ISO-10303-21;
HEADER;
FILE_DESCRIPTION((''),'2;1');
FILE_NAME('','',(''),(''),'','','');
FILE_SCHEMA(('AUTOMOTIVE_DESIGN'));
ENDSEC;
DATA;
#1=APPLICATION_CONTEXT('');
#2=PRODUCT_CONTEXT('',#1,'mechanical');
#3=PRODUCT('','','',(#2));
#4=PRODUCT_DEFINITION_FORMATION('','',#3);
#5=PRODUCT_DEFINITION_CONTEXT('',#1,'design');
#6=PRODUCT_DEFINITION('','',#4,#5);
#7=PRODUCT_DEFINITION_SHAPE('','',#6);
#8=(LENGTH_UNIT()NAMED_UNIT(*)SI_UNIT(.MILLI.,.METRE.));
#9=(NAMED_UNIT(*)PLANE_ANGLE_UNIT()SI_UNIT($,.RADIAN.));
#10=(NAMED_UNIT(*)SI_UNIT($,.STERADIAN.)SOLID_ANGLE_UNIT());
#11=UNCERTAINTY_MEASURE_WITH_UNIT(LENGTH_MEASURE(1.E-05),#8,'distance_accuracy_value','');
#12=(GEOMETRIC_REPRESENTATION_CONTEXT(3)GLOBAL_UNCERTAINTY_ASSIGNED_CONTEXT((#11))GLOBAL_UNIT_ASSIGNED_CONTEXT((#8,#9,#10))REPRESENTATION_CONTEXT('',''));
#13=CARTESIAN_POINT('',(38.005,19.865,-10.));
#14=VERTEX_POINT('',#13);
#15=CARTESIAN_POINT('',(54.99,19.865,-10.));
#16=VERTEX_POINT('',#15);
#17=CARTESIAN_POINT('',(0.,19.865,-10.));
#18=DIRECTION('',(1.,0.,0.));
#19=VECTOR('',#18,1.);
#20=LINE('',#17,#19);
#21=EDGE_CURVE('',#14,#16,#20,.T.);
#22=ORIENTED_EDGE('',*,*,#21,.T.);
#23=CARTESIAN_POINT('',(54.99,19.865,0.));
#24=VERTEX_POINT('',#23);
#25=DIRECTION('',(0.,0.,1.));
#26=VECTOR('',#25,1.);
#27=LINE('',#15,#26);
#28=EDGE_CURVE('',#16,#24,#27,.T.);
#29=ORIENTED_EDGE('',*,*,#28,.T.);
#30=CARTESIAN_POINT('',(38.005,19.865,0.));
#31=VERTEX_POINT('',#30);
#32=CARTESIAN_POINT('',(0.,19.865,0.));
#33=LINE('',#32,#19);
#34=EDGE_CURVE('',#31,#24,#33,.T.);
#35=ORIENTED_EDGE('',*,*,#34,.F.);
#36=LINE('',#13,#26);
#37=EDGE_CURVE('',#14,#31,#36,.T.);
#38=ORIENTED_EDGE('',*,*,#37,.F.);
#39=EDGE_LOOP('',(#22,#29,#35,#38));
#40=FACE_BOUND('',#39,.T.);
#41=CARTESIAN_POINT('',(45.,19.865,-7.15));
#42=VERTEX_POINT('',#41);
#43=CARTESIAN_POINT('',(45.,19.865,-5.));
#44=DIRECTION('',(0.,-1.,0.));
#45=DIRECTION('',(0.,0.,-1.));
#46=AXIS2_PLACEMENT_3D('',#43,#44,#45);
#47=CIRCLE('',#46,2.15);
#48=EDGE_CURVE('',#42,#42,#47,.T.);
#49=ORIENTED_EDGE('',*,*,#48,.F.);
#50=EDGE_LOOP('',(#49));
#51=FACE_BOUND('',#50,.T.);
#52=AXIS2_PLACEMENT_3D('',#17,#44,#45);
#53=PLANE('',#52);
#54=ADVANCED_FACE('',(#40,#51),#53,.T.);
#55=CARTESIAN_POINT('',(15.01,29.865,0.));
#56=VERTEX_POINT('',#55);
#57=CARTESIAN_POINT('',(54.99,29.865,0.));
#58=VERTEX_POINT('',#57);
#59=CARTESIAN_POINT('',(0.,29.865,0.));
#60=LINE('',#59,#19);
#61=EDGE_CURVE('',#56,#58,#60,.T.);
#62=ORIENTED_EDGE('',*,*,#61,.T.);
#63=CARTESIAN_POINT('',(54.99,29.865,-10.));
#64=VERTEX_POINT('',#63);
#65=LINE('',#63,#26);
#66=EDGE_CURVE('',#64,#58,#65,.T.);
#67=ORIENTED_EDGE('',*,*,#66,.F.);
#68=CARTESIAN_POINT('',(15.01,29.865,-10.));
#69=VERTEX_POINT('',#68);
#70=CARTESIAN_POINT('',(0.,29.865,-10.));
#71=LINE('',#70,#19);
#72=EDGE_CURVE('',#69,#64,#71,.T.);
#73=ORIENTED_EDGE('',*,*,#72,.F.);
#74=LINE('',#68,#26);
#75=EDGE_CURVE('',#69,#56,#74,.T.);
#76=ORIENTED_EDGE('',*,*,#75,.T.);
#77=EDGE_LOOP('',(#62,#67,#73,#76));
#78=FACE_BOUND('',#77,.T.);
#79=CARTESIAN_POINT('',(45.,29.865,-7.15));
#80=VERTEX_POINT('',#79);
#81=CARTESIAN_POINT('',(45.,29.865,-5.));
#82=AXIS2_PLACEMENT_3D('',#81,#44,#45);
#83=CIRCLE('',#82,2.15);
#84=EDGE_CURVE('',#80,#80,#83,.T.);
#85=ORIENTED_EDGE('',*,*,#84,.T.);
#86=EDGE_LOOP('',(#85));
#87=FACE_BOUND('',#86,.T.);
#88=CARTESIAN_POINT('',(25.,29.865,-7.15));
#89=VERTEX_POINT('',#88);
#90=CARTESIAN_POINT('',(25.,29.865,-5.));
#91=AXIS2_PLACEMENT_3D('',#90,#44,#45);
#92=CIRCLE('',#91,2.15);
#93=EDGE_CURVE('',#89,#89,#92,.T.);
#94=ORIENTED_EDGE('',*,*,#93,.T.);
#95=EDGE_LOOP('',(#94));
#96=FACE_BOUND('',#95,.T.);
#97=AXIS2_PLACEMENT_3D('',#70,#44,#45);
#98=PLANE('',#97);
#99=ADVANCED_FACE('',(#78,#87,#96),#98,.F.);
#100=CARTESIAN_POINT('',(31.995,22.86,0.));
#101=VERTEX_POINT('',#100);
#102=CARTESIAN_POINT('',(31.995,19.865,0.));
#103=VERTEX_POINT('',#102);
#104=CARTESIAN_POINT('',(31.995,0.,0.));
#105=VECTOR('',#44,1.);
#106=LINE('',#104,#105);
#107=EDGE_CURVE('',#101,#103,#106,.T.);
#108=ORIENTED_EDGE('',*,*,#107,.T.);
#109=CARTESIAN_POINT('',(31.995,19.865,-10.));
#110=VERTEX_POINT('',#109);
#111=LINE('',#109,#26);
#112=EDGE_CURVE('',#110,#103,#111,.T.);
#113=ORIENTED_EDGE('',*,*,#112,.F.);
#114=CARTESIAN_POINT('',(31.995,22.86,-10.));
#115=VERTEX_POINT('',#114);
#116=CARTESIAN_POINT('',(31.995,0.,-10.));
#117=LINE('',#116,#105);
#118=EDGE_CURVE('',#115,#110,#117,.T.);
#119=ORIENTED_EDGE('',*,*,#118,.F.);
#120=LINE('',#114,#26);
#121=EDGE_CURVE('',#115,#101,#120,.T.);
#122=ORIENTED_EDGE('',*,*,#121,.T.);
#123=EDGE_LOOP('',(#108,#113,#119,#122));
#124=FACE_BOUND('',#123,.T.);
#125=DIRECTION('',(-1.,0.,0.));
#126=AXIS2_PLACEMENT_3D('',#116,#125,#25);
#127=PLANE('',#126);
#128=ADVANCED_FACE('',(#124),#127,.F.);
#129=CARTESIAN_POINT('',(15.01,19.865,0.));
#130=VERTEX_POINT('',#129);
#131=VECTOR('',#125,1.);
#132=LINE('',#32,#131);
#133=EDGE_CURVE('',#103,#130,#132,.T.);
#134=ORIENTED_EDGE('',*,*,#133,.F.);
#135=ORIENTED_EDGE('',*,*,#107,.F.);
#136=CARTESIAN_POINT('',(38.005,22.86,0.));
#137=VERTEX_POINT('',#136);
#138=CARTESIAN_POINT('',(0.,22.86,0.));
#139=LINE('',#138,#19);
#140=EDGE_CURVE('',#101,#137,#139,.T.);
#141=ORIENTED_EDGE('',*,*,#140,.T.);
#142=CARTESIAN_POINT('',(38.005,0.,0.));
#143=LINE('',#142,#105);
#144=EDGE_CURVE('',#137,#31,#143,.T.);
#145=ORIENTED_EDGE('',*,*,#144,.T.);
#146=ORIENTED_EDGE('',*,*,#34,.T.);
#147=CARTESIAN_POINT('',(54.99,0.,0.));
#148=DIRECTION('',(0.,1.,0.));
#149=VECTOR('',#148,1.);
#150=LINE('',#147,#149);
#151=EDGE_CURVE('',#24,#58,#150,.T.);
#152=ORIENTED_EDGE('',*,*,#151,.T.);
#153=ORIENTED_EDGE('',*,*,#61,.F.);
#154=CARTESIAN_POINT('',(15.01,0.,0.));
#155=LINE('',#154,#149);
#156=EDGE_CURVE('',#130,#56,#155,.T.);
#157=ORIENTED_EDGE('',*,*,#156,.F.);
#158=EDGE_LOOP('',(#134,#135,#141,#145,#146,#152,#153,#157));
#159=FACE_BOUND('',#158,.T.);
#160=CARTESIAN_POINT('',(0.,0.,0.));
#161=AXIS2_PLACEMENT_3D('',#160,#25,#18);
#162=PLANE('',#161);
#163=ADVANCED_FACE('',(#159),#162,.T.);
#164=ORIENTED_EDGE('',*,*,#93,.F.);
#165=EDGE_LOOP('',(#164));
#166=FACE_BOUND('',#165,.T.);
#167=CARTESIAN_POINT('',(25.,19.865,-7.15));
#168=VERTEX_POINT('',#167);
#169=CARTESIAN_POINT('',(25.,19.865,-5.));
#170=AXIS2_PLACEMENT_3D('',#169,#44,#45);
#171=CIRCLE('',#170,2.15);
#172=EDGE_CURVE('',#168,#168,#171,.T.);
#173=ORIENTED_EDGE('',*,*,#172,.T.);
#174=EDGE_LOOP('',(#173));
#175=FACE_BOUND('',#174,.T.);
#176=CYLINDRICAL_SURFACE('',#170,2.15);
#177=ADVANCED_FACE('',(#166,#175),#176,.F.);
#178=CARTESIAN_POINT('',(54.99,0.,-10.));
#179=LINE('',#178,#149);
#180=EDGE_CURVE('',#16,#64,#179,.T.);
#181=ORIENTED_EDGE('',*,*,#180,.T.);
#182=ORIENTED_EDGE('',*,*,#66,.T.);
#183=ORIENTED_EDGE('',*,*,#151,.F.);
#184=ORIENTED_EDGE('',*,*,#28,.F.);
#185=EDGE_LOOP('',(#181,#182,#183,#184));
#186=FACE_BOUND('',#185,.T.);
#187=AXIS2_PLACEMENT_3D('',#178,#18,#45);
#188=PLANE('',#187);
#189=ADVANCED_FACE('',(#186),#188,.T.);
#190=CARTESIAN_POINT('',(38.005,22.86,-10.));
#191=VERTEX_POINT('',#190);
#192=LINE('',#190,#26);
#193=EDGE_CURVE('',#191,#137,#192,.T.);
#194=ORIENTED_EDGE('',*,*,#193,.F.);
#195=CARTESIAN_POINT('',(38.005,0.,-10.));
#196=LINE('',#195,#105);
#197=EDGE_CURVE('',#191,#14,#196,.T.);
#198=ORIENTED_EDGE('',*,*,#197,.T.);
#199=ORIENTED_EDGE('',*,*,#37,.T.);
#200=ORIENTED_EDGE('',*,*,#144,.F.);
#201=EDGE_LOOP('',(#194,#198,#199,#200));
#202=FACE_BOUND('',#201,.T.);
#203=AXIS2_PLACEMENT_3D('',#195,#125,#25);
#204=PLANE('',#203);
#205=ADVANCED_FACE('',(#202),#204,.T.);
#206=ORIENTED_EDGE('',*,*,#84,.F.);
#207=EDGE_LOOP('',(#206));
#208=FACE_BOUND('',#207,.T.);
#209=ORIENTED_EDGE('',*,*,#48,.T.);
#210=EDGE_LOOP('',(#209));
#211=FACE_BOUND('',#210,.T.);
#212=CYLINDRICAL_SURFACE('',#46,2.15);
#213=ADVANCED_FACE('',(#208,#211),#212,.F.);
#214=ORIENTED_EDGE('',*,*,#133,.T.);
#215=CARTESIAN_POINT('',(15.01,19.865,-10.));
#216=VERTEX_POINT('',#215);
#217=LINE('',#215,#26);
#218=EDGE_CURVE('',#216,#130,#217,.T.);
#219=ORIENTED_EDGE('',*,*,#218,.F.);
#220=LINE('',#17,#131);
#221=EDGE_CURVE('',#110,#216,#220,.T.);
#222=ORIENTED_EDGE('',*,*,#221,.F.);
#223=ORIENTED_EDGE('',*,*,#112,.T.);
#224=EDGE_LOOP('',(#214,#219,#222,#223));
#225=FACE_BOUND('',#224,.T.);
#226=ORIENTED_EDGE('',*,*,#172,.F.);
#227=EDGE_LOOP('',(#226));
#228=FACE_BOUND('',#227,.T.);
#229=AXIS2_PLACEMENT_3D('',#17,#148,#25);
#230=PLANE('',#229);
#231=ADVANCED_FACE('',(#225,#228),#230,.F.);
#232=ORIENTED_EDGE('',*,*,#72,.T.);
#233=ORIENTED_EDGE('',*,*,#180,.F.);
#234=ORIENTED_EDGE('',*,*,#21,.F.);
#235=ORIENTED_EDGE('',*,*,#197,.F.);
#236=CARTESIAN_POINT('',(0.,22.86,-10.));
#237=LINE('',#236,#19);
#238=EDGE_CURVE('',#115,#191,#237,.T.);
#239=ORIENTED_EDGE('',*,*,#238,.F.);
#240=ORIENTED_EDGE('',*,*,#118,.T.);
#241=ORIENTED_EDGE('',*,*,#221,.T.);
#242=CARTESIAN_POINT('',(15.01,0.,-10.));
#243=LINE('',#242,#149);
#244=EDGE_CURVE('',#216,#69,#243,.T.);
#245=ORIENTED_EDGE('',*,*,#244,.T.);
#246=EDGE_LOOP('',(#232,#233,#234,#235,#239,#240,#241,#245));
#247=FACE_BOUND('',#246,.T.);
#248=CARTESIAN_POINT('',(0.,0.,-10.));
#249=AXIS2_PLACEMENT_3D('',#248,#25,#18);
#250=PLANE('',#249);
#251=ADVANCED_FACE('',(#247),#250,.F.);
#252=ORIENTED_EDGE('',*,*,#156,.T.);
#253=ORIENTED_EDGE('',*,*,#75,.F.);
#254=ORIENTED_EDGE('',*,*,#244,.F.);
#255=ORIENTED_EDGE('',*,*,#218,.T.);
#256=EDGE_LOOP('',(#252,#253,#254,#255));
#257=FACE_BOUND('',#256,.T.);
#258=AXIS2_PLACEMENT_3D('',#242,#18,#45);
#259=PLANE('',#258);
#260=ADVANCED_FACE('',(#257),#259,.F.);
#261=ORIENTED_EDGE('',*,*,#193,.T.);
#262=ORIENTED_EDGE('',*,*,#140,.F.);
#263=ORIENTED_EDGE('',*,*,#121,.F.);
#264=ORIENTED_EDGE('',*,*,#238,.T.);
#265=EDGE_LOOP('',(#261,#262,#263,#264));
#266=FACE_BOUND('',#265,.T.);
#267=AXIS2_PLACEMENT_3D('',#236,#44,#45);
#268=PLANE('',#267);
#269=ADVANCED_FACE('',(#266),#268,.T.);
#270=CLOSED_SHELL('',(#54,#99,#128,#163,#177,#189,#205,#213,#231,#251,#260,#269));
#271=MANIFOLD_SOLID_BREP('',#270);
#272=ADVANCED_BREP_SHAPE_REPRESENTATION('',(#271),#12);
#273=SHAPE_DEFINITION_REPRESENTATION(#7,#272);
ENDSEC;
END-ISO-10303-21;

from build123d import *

# Parameters (mm, degrees)
BOSS_EXTRUDE1_DEPTH  = 10
M4_CLEARANCE_HOLE1_D = 4.3


with BuildPart() as part:
    # Sketch1 → Boss-Extrude1 (new body)
    with BuildSketch(Plane.XY):
        Polygon((54.99, 29.865), (15.01, 29.865), (15.01, 19.865), (31.995, 19.865), (31.995, 22.86), (38.005, 22.86), (38.005, 19.865), (54.99, 19.865), align=None)
    extrude(amount=-BOSS_EXTRUDE1_DEPTH)

    # M4 Clearance Hole1 (through all)
    with Locations(Plane(origin=(25, 19.865, -5), x_dir=(0, 0, -1), z_dir=(0, -1, 0))):
        with Locations((0, 0), (0, 20)):
            Hole(M4_CLEARANCE_HOLE1_D / 2)


solid = part.part
